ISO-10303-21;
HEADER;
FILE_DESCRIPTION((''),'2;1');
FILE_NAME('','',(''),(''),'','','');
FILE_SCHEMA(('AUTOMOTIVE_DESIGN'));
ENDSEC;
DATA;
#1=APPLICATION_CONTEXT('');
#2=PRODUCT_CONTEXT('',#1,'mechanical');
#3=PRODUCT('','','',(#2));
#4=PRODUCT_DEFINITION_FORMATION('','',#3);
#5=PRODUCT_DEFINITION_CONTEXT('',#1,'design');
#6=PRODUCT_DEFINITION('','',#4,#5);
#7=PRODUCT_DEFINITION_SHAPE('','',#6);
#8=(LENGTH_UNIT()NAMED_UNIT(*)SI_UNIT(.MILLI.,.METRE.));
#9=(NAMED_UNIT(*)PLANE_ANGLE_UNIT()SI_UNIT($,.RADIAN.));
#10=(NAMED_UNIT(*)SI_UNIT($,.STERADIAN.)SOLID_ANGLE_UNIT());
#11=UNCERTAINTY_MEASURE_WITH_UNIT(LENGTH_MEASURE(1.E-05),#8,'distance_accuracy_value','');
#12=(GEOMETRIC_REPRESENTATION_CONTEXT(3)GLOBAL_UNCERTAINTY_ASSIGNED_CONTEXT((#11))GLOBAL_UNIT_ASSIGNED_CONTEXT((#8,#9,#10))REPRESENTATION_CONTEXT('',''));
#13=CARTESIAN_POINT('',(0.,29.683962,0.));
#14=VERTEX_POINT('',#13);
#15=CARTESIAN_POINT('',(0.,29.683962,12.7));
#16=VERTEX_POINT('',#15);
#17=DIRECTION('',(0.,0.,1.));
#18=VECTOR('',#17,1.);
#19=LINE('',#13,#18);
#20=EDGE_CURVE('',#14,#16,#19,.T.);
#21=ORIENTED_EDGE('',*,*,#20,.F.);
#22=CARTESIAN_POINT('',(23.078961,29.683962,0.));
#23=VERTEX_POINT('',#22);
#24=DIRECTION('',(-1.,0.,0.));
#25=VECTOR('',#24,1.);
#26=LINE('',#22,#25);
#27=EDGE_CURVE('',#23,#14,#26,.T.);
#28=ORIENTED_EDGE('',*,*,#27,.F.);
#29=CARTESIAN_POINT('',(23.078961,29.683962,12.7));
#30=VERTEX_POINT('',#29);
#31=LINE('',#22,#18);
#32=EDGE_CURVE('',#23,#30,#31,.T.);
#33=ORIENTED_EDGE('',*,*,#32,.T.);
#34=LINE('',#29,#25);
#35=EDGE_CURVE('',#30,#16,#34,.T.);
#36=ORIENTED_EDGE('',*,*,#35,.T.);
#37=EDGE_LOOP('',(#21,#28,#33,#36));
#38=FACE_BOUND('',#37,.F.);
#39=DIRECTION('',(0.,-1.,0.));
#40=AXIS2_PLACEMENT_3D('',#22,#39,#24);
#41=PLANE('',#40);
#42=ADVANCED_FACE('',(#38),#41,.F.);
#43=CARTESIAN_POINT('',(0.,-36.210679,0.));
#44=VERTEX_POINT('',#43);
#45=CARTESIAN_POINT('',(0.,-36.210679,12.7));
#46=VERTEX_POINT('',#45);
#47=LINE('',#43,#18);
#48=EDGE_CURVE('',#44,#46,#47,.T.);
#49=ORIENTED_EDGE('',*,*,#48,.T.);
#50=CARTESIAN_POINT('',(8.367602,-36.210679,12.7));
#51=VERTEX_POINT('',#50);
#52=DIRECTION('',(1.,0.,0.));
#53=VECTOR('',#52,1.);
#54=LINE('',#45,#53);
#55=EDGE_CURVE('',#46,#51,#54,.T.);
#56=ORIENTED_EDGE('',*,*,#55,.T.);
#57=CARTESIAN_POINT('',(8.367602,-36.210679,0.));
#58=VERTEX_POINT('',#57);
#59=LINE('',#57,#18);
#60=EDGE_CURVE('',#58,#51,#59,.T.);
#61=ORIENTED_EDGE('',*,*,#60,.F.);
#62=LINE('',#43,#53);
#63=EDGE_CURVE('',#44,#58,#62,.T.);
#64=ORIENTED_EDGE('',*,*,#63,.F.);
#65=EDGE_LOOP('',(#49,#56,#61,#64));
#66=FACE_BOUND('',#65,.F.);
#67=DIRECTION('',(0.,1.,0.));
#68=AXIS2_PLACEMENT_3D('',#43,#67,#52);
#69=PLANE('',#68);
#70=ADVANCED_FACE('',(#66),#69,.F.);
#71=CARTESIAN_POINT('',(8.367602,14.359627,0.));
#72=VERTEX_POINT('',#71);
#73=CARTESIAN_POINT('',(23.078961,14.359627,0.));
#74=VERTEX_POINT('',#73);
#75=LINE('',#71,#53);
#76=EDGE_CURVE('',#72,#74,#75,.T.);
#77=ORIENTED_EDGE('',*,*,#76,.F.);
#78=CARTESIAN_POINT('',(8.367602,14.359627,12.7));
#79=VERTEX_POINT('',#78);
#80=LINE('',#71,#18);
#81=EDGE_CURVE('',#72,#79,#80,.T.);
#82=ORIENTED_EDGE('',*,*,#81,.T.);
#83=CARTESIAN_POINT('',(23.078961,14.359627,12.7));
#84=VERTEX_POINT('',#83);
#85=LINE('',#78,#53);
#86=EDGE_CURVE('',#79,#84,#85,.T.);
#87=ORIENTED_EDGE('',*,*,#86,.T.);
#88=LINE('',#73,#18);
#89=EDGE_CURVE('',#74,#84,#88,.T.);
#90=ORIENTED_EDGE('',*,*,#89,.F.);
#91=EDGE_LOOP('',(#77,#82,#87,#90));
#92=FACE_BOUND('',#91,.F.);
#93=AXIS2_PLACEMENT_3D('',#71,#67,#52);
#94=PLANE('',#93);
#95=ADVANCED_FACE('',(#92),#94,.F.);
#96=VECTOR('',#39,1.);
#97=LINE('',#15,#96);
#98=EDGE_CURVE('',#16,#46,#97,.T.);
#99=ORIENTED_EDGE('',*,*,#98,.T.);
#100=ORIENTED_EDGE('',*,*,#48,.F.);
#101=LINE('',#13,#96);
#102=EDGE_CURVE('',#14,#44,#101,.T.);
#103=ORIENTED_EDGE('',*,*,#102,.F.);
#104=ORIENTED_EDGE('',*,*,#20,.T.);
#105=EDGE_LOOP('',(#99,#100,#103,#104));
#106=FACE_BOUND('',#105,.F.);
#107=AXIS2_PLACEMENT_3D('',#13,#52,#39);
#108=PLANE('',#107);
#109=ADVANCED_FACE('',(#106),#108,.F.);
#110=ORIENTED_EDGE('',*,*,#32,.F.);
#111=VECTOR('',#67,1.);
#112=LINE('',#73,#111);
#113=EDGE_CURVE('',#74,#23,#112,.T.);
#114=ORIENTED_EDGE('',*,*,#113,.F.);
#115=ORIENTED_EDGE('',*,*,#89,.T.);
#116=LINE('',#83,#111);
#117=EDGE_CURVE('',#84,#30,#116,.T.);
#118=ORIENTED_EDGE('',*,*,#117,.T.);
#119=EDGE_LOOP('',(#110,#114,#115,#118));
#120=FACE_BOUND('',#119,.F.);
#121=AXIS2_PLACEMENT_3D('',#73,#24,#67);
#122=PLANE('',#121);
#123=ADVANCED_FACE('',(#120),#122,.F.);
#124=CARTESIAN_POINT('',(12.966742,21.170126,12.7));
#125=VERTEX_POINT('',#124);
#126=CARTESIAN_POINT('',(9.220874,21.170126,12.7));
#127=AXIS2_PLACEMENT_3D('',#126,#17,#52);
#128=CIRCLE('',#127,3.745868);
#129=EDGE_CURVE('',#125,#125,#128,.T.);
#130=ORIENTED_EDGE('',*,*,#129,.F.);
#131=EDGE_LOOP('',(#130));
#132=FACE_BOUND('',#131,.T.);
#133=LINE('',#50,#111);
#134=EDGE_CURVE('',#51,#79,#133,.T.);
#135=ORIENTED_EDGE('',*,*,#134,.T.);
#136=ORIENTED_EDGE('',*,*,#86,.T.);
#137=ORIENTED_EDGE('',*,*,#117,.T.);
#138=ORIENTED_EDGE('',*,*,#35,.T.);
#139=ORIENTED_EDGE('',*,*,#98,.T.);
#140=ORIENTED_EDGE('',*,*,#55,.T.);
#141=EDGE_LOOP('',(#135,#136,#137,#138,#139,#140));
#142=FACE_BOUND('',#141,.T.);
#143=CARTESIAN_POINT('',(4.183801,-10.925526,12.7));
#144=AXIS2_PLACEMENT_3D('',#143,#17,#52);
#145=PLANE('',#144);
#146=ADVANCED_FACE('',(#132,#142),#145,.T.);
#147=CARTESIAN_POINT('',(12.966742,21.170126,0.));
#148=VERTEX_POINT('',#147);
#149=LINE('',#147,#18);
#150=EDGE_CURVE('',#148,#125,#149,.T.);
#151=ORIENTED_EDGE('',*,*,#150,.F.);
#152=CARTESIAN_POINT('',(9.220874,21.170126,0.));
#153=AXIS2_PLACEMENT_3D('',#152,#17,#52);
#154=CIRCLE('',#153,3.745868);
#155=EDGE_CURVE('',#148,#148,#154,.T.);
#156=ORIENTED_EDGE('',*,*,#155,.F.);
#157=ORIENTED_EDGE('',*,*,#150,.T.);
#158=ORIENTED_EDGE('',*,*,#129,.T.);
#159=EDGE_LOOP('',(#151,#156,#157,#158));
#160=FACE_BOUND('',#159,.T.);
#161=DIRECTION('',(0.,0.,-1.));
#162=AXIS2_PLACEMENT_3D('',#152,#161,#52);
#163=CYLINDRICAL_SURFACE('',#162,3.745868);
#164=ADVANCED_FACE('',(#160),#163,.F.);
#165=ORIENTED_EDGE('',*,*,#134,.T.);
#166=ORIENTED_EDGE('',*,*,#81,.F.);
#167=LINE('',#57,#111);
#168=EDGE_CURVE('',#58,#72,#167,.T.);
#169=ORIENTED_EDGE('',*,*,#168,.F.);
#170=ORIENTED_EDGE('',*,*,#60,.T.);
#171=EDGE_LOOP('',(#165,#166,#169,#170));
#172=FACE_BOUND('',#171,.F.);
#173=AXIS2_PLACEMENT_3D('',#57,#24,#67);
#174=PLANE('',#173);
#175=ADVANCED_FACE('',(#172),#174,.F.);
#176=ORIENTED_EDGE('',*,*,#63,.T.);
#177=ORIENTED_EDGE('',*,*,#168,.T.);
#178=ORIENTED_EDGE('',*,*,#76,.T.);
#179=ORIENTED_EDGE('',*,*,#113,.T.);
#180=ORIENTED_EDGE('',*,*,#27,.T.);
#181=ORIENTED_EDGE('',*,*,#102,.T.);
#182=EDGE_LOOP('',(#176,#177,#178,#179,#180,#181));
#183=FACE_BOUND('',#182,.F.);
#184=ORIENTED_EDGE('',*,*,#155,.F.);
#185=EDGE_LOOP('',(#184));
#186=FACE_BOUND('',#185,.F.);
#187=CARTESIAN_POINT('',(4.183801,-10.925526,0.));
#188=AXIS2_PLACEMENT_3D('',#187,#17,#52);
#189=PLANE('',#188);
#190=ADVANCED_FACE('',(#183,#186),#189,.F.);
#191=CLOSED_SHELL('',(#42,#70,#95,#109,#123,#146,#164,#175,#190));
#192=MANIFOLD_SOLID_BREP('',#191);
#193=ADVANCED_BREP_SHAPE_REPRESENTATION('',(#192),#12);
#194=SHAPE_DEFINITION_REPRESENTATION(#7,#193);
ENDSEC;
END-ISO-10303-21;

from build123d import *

# Parameters (mm, degrees)
F0_R     = 3.745868
F1_DEPTH = 12.7


with BuildPart() as f1:
    # F0 (on Top) → F1 (new body)
    with BuildSketch(Plane.XY):
        Polygon((0, 14.359627), (0, 0), (0, -12.91769), (0, -36.210679), (8.367602, -36.210679), (8.367602, 14.359627), align=None)
        Polygon((0, 29.683962), (0, 14.359627), (8.367602, 14.359627), (23.078961, 14.359627), (23.078961, 29.683962), align=None)
        with Locations((9.220874, 21.170126)):
            Circle(F0_R, mode=Mode.SUBTRACT)
    extrude(amount=F1_DEPTH)


solid = f1.part
